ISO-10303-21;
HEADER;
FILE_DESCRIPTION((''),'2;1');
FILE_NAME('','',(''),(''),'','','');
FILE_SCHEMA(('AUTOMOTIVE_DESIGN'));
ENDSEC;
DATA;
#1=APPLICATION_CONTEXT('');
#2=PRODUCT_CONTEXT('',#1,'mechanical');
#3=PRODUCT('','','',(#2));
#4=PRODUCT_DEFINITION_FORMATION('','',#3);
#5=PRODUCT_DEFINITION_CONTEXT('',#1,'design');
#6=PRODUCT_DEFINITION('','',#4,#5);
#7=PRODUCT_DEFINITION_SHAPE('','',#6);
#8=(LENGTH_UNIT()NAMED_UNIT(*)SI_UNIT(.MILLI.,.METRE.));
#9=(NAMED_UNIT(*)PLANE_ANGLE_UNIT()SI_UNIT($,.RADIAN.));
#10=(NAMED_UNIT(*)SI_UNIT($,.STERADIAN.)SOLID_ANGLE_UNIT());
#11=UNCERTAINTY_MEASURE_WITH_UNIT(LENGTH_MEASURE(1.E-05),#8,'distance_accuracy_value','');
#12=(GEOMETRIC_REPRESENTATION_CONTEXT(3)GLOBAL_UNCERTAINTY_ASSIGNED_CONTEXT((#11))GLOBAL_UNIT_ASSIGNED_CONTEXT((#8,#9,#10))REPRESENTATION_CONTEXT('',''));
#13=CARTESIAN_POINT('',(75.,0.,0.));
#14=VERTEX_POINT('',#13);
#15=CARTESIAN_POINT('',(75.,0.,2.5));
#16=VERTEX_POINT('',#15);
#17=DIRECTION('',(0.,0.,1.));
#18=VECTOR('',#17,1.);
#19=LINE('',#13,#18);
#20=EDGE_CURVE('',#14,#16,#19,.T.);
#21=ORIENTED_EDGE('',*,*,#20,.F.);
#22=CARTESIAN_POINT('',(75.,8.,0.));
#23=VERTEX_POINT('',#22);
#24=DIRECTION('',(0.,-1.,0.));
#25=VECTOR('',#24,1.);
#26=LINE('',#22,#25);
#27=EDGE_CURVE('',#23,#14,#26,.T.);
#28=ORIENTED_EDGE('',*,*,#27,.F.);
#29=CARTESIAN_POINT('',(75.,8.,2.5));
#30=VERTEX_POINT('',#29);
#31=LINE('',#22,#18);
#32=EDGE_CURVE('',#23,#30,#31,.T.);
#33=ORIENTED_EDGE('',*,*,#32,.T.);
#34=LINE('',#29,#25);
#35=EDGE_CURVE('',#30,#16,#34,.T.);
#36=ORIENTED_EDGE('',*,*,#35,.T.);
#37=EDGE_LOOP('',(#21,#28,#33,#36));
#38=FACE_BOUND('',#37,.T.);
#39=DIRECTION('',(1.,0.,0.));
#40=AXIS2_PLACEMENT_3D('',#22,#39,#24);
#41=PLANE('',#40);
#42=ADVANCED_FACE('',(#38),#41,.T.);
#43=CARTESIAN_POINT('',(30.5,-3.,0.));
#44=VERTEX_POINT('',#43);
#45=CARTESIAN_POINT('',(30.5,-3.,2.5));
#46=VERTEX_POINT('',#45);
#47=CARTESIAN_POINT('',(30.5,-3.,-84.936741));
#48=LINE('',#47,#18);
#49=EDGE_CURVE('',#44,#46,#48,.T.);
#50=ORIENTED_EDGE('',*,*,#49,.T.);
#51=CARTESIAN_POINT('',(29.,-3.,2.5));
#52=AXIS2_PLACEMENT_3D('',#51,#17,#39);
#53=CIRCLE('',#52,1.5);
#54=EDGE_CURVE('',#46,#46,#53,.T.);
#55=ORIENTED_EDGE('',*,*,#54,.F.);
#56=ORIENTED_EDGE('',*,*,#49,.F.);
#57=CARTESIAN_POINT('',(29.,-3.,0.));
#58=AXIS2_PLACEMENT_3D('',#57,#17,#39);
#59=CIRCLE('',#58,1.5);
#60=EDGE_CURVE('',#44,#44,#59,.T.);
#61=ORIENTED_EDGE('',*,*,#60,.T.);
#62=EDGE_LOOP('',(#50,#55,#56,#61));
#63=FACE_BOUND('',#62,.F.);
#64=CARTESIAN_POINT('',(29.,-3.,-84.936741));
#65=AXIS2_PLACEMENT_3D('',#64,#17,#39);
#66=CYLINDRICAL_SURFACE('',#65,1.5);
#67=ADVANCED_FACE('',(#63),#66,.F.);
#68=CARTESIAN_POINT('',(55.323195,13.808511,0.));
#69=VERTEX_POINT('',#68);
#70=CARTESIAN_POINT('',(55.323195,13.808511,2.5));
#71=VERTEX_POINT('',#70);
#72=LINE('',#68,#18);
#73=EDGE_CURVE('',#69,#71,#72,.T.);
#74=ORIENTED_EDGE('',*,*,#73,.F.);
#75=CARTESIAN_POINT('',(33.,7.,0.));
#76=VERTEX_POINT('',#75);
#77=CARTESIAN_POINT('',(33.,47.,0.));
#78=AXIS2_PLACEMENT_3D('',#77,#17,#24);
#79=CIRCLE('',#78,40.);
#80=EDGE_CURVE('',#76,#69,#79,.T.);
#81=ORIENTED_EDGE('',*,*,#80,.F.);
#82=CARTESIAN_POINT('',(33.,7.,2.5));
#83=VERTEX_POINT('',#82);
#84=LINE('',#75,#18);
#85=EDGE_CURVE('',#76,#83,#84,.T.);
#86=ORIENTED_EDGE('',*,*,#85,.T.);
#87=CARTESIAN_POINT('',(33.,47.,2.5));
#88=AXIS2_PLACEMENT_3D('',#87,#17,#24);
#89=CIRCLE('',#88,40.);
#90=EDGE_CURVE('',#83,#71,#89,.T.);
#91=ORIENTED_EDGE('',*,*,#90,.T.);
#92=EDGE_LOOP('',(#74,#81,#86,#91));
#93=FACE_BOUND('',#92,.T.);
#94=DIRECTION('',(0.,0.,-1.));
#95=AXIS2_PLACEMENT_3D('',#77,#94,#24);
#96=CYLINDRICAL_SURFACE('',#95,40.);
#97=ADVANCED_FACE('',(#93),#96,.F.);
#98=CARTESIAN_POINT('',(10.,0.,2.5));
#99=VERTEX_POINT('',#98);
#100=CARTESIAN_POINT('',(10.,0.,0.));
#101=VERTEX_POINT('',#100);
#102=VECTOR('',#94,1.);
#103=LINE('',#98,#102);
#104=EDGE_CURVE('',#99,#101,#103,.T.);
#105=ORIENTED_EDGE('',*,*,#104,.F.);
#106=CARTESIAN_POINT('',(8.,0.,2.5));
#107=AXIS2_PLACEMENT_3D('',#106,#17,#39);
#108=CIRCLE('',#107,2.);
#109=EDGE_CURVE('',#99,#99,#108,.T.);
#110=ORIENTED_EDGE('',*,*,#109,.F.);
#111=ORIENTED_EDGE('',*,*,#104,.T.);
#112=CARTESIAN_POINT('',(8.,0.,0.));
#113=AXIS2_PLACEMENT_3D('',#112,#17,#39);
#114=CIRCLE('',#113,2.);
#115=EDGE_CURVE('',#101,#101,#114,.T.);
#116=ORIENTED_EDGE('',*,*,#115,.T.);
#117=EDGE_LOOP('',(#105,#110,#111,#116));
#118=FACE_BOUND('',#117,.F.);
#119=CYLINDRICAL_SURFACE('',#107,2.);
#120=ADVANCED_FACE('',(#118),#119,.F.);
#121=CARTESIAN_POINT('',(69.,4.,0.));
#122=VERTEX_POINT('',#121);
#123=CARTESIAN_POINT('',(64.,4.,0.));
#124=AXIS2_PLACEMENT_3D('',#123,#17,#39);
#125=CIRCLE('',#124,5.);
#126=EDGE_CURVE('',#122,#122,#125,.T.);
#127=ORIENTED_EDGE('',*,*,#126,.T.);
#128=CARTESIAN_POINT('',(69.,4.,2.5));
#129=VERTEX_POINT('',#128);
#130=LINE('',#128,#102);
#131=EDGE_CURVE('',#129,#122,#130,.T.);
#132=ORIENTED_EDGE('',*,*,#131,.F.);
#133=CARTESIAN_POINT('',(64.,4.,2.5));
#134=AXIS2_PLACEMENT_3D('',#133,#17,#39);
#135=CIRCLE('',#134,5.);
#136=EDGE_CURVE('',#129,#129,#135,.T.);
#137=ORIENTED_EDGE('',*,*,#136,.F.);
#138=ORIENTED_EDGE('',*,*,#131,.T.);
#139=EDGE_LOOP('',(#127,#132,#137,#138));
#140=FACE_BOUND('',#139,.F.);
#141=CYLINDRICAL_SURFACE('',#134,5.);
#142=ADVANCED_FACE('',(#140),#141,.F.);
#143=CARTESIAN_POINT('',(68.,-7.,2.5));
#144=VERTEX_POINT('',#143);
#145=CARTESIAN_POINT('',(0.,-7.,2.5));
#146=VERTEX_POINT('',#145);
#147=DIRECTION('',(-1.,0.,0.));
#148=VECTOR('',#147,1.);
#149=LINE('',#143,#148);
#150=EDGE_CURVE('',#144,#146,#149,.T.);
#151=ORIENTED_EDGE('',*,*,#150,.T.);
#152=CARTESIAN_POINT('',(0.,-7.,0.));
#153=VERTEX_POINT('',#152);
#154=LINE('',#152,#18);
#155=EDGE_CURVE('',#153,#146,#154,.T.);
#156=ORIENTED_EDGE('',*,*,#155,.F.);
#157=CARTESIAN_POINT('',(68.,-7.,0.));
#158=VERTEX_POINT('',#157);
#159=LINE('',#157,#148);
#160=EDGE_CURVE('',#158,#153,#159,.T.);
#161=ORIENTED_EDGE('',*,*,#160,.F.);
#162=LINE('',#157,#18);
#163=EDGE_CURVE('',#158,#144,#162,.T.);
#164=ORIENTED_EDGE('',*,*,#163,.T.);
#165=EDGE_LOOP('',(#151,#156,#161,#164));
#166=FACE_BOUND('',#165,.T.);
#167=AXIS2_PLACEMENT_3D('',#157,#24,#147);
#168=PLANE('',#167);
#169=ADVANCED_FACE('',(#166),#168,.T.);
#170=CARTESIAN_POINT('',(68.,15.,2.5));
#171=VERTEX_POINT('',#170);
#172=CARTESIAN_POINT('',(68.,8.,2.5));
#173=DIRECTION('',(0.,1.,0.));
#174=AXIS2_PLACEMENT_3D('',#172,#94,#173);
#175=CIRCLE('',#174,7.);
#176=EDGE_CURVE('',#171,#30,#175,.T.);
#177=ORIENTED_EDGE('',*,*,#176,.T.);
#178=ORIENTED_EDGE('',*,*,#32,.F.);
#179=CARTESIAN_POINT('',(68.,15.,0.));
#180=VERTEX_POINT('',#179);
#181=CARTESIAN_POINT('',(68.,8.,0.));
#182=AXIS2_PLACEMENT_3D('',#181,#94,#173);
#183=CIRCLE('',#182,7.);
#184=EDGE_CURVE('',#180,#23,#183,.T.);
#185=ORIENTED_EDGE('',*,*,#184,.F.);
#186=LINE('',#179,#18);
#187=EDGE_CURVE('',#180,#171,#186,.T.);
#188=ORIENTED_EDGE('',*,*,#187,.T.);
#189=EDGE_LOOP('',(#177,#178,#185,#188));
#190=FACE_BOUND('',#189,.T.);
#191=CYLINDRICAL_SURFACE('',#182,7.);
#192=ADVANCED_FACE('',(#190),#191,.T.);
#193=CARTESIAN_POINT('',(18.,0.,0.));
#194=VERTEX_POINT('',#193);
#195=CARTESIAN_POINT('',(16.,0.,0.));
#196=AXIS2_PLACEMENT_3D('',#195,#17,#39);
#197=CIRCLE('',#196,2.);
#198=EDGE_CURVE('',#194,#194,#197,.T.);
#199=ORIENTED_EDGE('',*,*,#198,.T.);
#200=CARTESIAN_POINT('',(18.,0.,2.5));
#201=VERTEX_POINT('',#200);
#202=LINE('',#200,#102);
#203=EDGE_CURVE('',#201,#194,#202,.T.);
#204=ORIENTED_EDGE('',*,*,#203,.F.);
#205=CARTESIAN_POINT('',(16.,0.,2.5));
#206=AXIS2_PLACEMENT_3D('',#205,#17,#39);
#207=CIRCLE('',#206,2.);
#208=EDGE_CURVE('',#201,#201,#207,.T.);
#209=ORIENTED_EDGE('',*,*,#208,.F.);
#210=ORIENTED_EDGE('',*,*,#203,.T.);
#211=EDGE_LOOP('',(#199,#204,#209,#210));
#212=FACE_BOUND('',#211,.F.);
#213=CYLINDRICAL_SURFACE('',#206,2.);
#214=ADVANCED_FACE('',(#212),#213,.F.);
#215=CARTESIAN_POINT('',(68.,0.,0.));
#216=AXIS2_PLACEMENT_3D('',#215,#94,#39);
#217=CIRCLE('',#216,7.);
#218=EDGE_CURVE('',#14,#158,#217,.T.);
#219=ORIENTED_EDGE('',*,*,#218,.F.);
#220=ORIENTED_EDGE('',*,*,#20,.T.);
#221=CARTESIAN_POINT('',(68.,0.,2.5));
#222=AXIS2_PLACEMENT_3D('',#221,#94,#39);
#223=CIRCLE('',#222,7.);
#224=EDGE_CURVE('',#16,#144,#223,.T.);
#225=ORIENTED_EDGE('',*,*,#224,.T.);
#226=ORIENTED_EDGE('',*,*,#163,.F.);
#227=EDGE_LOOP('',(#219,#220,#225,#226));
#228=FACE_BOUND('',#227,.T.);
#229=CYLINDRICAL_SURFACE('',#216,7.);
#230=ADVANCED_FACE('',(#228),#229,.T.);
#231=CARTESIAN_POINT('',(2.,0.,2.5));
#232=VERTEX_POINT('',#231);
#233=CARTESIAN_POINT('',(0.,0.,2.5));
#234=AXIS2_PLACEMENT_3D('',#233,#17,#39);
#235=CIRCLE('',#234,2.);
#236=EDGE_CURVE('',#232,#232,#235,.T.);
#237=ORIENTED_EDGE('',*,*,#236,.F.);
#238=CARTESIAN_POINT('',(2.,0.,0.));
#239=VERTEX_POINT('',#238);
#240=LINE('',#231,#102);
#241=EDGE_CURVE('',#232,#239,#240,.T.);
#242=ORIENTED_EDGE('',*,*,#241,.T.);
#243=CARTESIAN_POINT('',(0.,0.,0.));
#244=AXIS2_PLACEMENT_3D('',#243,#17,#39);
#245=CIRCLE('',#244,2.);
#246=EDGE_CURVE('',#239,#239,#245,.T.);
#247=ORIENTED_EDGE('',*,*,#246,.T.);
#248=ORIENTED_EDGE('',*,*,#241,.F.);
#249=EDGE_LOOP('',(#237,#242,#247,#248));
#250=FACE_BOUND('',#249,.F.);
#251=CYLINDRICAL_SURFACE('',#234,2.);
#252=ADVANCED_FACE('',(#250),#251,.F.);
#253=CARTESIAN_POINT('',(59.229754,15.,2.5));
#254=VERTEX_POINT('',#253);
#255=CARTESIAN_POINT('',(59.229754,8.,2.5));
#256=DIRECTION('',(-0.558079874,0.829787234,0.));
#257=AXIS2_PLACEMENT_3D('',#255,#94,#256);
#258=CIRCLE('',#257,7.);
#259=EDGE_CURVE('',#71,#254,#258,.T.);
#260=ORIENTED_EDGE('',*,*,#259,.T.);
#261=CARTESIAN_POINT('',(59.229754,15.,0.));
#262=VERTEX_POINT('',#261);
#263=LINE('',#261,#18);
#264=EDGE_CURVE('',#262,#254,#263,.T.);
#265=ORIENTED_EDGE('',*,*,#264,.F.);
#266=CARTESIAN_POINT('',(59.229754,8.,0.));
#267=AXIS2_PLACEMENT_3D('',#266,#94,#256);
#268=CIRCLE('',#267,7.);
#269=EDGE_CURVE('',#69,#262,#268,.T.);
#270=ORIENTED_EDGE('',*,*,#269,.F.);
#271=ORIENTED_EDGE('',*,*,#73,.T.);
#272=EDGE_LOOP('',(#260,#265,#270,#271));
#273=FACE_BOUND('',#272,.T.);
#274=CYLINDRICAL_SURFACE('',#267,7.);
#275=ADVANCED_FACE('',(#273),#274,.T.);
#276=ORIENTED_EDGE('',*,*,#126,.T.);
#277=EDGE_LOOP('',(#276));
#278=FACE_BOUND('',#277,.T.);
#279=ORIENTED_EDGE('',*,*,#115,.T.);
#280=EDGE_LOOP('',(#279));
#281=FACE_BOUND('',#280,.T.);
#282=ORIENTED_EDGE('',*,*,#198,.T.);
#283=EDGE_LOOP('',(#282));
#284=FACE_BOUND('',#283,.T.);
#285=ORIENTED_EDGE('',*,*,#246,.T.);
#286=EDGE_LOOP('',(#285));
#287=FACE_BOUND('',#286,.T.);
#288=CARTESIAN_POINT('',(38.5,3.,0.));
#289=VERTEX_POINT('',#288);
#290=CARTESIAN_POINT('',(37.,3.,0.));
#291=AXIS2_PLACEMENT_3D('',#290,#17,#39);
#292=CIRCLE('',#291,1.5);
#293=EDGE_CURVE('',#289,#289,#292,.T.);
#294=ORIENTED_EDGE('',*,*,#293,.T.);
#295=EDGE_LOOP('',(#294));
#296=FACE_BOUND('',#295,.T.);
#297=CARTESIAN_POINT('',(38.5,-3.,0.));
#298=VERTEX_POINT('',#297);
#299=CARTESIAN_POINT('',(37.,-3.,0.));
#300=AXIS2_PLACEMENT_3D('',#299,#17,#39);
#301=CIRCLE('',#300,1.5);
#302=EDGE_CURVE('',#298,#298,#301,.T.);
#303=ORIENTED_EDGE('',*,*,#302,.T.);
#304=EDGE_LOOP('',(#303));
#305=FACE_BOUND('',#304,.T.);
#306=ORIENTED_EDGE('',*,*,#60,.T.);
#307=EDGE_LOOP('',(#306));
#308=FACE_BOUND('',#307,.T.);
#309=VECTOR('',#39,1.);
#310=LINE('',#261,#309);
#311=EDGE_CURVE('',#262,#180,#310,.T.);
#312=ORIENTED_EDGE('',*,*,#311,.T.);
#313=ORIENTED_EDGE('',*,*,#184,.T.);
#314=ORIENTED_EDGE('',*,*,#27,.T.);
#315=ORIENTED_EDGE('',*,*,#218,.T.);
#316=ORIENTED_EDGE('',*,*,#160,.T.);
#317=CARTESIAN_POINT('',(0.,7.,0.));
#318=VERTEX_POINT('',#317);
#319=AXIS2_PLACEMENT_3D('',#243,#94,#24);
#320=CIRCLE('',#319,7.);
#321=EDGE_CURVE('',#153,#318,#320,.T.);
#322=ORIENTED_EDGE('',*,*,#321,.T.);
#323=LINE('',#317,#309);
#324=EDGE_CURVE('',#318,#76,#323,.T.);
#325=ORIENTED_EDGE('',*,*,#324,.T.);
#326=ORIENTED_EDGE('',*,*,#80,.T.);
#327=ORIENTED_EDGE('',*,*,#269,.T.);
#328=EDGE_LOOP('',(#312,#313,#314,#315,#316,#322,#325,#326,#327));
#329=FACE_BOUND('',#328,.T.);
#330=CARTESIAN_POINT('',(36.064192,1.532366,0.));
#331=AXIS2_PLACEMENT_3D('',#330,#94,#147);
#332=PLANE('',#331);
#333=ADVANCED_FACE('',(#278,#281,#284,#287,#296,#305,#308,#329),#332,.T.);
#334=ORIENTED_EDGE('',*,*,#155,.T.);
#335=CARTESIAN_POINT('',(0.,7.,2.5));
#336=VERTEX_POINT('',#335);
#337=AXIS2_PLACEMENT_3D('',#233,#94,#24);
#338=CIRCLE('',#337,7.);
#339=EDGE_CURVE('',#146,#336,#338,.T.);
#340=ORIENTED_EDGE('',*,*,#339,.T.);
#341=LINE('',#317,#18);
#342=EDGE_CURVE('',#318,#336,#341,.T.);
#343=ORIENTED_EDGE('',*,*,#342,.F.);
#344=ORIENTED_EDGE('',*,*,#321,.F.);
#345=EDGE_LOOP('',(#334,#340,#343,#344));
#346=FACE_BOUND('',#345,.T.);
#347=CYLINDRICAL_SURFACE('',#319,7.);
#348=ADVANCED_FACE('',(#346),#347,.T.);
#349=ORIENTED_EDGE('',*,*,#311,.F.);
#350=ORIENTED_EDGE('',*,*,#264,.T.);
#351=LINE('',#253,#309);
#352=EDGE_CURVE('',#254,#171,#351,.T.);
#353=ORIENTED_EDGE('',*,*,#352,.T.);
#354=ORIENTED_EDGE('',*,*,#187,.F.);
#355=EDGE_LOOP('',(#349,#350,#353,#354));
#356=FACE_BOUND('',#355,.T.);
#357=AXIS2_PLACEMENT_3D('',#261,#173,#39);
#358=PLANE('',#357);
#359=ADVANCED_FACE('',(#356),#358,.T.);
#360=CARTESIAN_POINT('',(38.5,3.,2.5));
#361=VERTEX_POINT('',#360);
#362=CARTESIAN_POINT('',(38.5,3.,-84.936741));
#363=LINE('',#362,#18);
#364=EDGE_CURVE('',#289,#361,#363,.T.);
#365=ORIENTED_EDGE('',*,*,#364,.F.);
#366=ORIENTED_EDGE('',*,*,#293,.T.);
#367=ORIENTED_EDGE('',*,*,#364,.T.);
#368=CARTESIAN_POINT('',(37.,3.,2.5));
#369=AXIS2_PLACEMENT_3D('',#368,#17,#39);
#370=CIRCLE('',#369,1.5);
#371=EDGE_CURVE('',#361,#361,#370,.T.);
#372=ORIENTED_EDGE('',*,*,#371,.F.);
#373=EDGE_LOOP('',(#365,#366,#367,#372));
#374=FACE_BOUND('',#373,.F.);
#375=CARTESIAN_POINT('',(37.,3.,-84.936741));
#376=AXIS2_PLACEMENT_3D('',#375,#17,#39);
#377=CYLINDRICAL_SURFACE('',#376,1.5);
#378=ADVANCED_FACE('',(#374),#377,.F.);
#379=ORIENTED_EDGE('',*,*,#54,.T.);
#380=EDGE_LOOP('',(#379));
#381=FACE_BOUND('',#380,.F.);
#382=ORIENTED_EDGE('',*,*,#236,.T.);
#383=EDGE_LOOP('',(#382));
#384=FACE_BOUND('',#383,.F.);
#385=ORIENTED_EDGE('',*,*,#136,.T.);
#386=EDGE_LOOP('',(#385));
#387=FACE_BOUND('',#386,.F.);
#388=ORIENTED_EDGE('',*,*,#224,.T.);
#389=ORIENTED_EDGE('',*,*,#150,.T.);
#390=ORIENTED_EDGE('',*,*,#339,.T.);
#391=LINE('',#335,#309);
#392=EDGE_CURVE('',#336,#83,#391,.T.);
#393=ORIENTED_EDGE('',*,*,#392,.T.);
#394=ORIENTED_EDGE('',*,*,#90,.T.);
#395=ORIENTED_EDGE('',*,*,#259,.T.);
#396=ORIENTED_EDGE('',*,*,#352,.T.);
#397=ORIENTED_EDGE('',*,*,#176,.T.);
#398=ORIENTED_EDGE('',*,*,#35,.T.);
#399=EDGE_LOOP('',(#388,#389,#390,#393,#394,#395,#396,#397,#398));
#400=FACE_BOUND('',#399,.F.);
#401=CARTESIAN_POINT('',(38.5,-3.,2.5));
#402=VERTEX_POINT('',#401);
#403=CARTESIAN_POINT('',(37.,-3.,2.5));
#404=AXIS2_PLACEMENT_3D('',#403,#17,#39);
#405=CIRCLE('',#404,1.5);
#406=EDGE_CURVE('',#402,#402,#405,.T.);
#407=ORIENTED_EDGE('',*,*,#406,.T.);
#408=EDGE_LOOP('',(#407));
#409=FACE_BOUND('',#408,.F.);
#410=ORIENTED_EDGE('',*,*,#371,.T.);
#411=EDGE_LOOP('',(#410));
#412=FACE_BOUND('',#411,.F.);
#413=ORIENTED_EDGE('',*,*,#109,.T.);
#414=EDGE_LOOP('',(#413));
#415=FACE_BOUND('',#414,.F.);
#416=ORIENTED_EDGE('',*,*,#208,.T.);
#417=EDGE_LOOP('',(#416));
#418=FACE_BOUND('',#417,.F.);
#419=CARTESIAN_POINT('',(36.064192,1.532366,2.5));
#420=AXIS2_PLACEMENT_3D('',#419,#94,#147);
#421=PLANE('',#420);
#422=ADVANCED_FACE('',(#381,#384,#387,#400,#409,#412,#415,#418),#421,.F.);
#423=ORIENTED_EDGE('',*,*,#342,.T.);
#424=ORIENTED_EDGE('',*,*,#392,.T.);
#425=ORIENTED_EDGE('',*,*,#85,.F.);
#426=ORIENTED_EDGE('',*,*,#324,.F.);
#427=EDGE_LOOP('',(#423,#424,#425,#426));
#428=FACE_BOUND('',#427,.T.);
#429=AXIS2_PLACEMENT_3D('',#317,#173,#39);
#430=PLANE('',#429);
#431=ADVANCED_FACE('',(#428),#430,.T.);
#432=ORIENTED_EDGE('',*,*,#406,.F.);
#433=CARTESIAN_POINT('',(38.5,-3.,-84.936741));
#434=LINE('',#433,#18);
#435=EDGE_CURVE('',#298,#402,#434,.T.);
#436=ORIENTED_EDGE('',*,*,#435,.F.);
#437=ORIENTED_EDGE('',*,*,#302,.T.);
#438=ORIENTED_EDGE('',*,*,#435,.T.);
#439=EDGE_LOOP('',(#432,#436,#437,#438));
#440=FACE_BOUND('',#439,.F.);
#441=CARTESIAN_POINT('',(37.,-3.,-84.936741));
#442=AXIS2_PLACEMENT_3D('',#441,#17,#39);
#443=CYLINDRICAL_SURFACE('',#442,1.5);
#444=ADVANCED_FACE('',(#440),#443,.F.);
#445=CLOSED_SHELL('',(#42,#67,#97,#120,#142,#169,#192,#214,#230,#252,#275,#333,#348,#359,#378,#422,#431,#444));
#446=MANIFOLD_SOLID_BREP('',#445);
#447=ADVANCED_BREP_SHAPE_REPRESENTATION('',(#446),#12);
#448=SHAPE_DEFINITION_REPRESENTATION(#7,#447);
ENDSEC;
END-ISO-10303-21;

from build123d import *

# Parameters (mm, degrees)
BOSS_EXTRUDE1_DEPTH   = 2.5
SKETCH2_R             = 2
CUT_EXTRUDE1_DEPTH    = 2.5
SKETCH3_R             = 5
CUT_EXTRUDE2_DEPTH    = 2.5
F_3_0MM_DOWEL_HOLE2_D = 3


with BuildPart() as part:
    # Sketch1 → Boss-Extrude1 (new body)
    with BuildSketch(Plane.XY):
        with BuildLine():
            Line((0, 7), (33, 7))
            ThreePointArc((33, 7), (44.66919932, 8.739971416), (55.323194976, 13.808510638))
            ThreePointArc((55.323194976, 13.808510638), (57.187644216, 14.695505002), (59.229754097, 15))
            Line((59.229754097, 15), (68, 15))
            ThreePointArc((68, 15), (72.949747468, 12.949747468), (75, 8))
            Line((75, 8), (75, 0))
            ThreePointArc((75, 0), (72.949747468, -4.949747468), (68, -7))
            Line((68, -7), (0, -7))
            ThreePointArc((0, -7), (-7, 0), (0, 7))
        make_face()
    extrude(amount=BOSS_EXTRUDE1_DEPTH)

    # Sketch2 → Cut-Extrude1 (cut)
    with BuildSketch(Plane.XY.offset(2.5)):
        Circle(SKETCH2_R)
        with Locations((8, 0)):
            Circle(SKETCH2_R)
        with Locations((16, 0)):
            Circle(SKETCH2_R)
    extrude(amount=-CUT_EXTRUDE1_DEPTH, mode=Mode.SUBTRACT)

    # Sketch3 → Cut-Extrude2 (cut)
    with BuildSketch(Plane.XY.offset(2.5)):
        with Locations((64, 4)):
            Circle(SKETCH3_R)
    extrude(amount=-CUT_EXTRUDE2_DEPTH, mode=Mode.SUBTRACT)

    # Ø3.0mm Dowel Hole2 (through all)
    with Locations(Plane(origin=(0, 0, 0), x_dir=(-1, 0, 0), z_dir=(0, 0, -1))):
        with Locations((-37, 3), (-37, -3), (-29, -3)):
            Hole(F_3_0MM_DOWEL_HOLE2_D / 2)


solid = part.part
